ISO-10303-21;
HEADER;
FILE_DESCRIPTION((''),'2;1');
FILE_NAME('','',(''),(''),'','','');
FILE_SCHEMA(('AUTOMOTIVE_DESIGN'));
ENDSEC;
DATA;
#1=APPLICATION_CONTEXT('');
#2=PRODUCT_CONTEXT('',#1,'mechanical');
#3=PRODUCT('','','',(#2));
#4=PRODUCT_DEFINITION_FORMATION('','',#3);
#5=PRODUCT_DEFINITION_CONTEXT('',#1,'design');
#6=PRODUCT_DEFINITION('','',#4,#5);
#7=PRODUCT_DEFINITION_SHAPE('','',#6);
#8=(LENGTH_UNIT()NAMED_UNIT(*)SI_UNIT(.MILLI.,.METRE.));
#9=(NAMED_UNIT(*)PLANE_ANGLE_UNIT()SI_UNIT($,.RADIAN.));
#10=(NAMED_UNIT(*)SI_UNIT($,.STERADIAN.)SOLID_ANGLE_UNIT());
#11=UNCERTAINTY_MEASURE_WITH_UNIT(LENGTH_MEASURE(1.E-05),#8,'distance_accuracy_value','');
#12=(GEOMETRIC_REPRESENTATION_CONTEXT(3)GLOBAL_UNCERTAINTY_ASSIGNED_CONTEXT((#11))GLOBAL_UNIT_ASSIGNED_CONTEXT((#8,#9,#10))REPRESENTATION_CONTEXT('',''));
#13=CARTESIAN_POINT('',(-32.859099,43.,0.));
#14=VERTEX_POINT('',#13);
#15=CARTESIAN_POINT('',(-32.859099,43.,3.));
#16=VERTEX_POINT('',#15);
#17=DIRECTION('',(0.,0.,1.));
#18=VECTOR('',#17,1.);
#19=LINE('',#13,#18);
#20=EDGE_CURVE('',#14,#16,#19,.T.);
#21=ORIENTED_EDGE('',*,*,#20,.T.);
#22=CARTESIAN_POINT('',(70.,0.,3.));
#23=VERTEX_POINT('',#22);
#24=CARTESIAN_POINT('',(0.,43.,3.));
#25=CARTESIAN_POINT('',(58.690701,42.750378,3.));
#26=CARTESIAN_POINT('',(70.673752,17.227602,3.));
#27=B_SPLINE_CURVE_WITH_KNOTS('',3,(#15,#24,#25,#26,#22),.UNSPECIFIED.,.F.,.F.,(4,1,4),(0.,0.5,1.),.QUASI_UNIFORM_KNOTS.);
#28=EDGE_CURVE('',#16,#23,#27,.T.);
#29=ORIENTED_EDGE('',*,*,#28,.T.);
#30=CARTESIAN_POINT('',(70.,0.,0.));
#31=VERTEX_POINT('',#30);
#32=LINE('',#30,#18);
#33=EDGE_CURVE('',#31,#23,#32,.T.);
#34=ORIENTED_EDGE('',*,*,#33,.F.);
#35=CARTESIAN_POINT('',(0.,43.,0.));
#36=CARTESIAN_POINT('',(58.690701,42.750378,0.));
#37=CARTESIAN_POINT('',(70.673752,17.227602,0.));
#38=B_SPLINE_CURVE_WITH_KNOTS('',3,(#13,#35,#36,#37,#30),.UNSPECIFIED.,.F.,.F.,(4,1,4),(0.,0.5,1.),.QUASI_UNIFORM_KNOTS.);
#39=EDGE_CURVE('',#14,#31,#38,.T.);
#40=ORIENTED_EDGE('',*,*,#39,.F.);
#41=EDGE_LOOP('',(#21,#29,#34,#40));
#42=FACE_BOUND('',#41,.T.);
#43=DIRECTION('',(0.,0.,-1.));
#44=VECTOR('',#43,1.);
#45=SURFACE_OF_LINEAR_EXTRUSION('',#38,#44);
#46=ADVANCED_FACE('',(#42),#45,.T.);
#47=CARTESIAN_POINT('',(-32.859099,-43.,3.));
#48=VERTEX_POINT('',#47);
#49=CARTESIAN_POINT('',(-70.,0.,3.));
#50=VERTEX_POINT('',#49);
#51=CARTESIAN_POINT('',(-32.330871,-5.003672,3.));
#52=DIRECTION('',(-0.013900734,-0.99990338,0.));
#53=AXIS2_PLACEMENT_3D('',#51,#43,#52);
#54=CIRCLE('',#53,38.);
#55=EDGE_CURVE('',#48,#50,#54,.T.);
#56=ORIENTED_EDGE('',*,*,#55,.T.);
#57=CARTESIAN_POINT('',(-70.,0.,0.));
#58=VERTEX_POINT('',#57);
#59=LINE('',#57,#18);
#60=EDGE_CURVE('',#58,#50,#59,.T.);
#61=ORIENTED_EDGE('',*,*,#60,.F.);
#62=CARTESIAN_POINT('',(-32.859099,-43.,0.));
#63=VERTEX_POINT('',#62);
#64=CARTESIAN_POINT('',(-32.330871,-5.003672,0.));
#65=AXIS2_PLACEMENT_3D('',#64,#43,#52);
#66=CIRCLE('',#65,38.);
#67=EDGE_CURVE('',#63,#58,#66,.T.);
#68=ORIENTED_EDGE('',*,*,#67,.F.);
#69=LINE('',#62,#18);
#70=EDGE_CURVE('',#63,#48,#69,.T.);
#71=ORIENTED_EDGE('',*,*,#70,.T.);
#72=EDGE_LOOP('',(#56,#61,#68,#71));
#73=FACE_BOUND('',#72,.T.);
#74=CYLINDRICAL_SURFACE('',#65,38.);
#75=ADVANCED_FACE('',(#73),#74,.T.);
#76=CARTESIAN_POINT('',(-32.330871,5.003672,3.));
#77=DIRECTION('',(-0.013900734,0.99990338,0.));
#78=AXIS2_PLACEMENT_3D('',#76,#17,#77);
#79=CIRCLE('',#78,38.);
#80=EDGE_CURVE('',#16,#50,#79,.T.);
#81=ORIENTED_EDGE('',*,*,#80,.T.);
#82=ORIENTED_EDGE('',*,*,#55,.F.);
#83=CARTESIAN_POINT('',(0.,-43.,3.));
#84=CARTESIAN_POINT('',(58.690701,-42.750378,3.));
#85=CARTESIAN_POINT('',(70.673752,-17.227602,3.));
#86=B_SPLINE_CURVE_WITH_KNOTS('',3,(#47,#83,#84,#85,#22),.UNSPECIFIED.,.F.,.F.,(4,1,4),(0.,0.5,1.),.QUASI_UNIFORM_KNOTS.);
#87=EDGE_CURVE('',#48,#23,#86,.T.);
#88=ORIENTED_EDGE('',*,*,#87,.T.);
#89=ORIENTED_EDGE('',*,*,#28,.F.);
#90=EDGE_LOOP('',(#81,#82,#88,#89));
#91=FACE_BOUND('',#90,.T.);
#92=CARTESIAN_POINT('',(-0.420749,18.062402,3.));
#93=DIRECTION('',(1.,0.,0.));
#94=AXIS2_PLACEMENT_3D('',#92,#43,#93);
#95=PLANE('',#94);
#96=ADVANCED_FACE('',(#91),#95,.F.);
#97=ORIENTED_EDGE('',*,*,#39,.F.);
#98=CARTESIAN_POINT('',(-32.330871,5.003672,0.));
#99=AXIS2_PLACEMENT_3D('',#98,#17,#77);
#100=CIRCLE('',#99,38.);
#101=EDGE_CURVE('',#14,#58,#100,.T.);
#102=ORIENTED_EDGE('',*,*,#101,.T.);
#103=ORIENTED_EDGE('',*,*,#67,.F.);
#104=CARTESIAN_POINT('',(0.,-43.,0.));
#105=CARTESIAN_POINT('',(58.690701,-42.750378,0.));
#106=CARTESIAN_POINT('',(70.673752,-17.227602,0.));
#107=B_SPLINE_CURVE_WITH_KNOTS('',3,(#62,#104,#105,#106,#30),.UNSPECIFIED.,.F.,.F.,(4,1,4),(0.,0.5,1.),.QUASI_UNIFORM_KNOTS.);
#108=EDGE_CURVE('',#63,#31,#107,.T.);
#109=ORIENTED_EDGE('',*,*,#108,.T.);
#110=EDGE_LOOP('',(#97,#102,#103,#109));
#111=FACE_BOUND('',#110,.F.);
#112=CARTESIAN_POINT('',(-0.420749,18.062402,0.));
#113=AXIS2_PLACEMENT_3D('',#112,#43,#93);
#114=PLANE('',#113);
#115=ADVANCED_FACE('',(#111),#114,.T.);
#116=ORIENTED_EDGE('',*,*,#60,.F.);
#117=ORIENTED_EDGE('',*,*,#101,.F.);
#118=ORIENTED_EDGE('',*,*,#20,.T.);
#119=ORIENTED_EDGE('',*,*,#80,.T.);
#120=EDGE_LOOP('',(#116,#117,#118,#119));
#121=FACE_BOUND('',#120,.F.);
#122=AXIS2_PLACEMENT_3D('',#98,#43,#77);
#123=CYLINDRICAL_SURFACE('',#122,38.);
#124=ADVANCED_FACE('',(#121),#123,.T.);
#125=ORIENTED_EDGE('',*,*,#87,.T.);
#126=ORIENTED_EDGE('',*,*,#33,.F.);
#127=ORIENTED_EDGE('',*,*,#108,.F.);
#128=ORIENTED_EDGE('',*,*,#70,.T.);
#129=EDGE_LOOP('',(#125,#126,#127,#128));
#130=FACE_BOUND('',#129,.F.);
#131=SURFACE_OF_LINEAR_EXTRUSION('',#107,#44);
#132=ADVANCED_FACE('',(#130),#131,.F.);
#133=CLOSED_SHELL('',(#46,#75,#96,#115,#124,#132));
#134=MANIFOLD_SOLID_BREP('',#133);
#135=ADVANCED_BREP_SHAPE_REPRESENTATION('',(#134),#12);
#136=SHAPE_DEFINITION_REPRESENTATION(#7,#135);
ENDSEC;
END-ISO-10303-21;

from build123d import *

# Parameters (mm, degrees)
PAD_DEPTH = 3


with BuildPart() as part:
    # Sketch → Pad (new body)
    with BuildSketch(Plane.XY):
        with BuildLine():
            Line((-70, 0), (70, 0))
            add(Edge.make_bspline(
                [(-32.859099, -43), (0, -43), (58.690701, -42.750378), (70.673752, -17.227602), (70, 0)],
                knots=[0, 0, 0, 0, 0.5, 1, 1, 1, 1], degree=3))
            ThreePointArc((-32.859099, -43), (-61.088644, -29.842965), (-70, 0))
        make_face()
    pad = extrude(amount=PAD_DEPTH)

    # Mirrored: Pad across XZ
    add(pad.mirror(Plane.XZ))


solid = part.part
